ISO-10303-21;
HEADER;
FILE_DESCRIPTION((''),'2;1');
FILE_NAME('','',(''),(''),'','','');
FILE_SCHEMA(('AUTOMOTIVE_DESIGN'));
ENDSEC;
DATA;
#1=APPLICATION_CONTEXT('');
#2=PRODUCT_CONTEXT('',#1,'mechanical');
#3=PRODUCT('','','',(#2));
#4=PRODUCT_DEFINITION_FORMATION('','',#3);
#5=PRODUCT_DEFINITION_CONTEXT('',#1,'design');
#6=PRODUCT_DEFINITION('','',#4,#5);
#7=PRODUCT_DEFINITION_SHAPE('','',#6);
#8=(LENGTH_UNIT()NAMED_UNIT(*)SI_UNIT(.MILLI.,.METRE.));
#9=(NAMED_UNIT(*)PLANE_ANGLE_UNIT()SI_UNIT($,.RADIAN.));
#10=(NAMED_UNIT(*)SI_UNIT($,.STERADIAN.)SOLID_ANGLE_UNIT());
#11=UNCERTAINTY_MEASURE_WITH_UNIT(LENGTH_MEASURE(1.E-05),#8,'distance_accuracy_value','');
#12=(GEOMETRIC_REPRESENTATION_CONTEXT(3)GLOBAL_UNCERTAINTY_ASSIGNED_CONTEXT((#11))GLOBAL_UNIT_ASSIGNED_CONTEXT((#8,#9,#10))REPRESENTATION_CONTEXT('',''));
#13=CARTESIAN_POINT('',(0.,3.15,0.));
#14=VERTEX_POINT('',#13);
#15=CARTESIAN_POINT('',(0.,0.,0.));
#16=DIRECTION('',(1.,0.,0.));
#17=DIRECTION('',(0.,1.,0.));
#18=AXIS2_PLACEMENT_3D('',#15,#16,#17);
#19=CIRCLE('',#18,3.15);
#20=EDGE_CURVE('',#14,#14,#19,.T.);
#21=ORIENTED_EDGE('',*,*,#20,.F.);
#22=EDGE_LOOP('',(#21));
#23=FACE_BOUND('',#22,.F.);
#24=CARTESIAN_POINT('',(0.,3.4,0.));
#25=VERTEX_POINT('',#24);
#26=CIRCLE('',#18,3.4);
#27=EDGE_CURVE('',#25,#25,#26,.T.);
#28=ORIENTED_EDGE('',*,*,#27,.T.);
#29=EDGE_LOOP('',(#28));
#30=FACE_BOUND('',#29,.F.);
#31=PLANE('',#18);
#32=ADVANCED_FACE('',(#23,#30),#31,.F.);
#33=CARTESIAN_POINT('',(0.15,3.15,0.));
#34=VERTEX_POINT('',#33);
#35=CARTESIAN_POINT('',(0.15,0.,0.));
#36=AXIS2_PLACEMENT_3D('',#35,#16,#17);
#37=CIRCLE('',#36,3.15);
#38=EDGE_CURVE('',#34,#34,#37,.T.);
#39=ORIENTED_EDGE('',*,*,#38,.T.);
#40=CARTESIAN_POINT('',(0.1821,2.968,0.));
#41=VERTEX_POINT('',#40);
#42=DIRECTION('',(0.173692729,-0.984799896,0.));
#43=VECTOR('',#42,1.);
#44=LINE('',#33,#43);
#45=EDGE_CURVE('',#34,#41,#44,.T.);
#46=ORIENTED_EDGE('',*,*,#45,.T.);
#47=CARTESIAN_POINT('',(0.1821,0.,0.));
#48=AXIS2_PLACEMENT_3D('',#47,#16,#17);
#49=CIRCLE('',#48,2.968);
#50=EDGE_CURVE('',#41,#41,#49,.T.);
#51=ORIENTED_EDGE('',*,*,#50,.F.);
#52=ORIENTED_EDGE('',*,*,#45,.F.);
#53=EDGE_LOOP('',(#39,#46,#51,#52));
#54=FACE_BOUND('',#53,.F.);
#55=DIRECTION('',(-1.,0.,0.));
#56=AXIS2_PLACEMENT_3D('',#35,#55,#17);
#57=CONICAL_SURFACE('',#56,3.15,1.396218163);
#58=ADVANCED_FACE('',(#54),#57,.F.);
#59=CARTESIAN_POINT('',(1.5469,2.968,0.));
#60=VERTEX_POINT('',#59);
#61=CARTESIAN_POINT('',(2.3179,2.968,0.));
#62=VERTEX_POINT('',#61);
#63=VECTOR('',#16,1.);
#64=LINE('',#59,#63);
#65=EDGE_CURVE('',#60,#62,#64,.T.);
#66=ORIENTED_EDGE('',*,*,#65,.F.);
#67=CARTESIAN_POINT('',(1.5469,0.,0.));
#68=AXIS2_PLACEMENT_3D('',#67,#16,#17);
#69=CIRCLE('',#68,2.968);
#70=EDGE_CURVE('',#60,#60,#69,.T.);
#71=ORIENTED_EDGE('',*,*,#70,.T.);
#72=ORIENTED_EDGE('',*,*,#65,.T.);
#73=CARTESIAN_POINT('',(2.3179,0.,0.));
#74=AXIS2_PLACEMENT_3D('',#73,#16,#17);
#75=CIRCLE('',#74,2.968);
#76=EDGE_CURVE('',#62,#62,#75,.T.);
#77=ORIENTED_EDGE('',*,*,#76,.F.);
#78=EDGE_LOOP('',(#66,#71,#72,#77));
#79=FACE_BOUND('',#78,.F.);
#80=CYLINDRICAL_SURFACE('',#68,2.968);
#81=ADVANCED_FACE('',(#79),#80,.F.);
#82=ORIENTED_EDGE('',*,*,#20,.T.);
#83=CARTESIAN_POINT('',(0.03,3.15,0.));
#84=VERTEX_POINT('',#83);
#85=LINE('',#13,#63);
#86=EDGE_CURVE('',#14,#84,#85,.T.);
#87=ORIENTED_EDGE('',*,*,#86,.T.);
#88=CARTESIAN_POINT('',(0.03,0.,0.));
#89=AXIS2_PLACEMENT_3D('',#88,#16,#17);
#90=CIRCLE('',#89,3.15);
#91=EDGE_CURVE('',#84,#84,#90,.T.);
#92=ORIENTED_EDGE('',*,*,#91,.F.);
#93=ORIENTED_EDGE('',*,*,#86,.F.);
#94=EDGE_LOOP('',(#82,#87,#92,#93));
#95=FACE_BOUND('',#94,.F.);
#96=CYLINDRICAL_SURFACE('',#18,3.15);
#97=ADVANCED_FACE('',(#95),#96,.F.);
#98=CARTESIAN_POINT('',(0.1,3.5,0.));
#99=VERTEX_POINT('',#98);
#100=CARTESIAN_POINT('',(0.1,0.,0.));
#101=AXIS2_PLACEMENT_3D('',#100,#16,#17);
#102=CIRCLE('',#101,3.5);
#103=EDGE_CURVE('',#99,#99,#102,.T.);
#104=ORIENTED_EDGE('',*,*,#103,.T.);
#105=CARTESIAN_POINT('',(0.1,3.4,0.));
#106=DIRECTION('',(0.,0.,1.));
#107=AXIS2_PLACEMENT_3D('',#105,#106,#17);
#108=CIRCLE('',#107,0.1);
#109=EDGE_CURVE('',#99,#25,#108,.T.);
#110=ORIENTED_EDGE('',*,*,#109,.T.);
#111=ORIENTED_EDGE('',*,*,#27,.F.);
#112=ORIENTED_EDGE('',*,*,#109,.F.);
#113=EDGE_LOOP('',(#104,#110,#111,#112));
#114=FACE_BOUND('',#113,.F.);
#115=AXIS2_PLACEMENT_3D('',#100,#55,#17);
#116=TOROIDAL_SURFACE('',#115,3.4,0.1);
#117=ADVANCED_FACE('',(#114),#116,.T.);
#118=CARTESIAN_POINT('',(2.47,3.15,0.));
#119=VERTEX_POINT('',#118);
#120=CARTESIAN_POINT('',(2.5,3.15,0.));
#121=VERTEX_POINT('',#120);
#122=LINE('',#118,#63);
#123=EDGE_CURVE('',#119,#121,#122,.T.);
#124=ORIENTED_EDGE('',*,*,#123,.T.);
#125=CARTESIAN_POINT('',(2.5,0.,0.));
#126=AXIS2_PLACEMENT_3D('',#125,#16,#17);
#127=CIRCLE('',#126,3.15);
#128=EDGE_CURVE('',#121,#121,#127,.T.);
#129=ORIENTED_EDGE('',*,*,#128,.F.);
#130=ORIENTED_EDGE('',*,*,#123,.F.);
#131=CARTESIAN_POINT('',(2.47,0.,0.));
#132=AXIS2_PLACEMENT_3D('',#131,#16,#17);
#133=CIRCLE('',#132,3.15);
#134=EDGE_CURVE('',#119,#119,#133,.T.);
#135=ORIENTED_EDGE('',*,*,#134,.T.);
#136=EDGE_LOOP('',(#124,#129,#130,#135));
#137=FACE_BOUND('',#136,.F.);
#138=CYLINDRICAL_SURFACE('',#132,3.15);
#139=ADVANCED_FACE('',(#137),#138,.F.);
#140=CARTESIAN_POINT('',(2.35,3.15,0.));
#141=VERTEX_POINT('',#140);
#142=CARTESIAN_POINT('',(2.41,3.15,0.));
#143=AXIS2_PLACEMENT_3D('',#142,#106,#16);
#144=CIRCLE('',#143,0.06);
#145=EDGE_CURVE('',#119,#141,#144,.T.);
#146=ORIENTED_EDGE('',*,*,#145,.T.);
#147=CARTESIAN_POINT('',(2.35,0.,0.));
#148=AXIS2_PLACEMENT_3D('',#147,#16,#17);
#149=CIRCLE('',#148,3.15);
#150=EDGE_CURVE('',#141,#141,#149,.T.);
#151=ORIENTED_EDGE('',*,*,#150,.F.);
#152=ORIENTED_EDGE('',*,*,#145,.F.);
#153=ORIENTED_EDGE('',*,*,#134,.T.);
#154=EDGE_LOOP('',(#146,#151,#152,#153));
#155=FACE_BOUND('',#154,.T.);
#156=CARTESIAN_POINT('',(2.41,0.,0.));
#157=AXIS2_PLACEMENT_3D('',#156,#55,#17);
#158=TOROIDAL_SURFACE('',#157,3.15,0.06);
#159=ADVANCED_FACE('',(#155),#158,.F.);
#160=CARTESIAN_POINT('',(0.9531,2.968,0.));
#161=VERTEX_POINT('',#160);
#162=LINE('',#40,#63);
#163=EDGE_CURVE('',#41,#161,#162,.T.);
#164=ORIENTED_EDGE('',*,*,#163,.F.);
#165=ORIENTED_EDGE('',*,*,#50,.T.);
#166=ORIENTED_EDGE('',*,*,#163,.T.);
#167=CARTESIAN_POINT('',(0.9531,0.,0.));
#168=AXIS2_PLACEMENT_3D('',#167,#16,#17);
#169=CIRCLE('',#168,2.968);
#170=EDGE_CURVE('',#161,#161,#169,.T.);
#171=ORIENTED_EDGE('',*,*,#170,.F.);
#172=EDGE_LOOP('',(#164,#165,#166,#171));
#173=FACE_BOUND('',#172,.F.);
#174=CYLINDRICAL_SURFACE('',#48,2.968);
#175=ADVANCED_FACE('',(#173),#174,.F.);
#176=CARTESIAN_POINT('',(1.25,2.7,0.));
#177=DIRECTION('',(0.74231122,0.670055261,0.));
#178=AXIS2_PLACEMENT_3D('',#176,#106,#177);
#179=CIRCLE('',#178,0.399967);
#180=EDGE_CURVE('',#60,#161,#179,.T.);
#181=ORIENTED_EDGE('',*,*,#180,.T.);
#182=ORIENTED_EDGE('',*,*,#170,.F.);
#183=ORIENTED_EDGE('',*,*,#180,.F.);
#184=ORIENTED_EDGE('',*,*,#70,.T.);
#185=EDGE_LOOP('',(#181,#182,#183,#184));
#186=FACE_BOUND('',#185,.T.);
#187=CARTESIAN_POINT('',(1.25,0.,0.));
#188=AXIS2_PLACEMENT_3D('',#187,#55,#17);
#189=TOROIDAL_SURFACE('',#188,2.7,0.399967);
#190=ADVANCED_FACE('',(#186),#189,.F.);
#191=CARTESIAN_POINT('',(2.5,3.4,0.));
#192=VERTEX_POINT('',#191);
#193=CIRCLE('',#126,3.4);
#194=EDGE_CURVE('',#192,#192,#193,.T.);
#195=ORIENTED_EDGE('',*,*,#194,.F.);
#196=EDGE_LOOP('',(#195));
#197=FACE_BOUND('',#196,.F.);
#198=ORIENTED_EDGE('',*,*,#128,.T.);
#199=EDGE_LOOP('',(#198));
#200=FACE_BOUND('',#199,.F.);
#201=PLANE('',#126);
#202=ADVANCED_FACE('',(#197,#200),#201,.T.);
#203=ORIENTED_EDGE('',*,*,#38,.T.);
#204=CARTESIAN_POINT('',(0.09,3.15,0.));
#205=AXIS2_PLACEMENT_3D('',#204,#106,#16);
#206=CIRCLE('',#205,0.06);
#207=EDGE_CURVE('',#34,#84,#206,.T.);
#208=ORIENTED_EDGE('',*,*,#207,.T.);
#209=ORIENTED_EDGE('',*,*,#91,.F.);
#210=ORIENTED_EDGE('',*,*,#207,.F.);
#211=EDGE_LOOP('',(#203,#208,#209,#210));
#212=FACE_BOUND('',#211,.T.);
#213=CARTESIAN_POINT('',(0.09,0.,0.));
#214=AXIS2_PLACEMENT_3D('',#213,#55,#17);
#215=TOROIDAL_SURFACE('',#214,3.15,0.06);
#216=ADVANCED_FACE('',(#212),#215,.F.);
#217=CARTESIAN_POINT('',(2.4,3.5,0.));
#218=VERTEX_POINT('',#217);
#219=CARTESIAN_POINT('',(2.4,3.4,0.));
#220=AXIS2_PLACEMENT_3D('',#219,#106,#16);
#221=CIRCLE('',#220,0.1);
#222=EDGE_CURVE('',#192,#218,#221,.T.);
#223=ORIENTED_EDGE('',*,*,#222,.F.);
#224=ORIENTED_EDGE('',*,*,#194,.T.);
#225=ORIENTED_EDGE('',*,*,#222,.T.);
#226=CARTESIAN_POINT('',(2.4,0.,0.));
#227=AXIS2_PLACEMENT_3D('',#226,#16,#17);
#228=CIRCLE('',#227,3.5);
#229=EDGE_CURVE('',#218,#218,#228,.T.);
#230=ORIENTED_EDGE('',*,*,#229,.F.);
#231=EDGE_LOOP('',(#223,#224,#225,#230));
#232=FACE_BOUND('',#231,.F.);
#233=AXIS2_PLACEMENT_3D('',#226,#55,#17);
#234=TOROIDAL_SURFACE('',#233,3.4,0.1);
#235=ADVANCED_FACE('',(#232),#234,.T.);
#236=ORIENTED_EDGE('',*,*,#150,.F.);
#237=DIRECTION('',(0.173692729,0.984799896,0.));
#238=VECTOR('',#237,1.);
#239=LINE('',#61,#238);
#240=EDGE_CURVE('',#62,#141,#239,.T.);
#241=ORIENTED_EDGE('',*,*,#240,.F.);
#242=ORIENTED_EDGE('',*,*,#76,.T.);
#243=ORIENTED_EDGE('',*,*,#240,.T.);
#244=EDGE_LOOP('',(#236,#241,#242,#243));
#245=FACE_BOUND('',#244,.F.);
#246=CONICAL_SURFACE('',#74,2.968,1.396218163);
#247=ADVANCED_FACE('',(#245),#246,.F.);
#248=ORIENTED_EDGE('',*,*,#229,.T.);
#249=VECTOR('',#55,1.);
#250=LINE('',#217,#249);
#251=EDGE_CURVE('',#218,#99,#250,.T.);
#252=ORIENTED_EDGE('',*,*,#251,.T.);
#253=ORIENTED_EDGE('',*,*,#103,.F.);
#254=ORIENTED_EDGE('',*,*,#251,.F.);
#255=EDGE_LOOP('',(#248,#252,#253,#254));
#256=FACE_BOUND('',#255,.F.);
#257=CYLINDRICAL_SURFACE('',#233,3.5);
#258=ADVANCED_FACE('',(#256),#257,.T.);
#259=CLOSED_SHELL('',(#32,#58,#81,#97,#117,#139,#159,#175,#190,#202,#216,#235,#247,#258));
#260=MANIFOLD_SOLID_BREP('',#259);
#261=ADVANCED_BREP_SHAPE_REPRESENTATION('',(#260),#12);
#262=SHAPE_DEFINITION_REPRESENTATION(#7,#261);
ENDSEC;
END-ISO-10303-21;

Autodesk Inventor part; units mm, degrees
ref_plane "YZ Plane" through (0, 0, 0) normal (1, 0, 0) x (0, 1, 0)
ref_plane "XZ Plane" through (0, 0, 0) normal (0, 1, 0) x (-1, 0, 0)
ref_plane "XY Plane" through (0, 0, 0) normal (0, 0, 1) x (1, 0, 0)
sketch "Sketch_17" plane through (0, 0, 0) normal (0, 0, 1) x (1, 0, 0)
  line L0 (50, 0) -> (-50, 0)
  line L1 (0, 3.4) -> (0, 3.15)
  line L2 (0, 3.15) -> (0.03, 3.15)
  arc A0 (0.15, 3.15) -> (0.03, 3.15) centre (0.09, 3.15) ccw
  line L3 (0.15, 3.15) -> (0.1821, 2.968)
  line L4 (0.1821, 2.968) -> (0.9531, 2.968)
  arc A1 (1.5469, 2.968) -> (0.9531, 2.968) centre (1.25, 2.7) ccw
  line L5 (1.5469, 2.968) -> (2.3179, 2.968)
  line L6 (2.3179, 2.968) -> (2.35, 3.15)
  arc A2 (2.47, 3.15) -> (2.35, 3.15) centre (2.41, 3.15) ccw
  line L7 (2.47, 3.15) -> (2.5, 3.15)
  line L8 (2.5, 3.15) -> (2.5, 3.4)
  arc A3 (2.5, 3.4) -> (2.4, 3.5) centre (2.4, 3.4) ccw
  line L9 (2.4, 3.5) -> (0.1, 3.5)
  arc A4 (0.1, 3.5) -> (0, 3.4) centre (0.1, 3.4) ccw
revolve "Revolution1" add sketch "Sketch_17" angle 360 about axis through (50, 0, 0) along (1, 0, 0)
properties part number "W 627/4-2ZS_PART2"
